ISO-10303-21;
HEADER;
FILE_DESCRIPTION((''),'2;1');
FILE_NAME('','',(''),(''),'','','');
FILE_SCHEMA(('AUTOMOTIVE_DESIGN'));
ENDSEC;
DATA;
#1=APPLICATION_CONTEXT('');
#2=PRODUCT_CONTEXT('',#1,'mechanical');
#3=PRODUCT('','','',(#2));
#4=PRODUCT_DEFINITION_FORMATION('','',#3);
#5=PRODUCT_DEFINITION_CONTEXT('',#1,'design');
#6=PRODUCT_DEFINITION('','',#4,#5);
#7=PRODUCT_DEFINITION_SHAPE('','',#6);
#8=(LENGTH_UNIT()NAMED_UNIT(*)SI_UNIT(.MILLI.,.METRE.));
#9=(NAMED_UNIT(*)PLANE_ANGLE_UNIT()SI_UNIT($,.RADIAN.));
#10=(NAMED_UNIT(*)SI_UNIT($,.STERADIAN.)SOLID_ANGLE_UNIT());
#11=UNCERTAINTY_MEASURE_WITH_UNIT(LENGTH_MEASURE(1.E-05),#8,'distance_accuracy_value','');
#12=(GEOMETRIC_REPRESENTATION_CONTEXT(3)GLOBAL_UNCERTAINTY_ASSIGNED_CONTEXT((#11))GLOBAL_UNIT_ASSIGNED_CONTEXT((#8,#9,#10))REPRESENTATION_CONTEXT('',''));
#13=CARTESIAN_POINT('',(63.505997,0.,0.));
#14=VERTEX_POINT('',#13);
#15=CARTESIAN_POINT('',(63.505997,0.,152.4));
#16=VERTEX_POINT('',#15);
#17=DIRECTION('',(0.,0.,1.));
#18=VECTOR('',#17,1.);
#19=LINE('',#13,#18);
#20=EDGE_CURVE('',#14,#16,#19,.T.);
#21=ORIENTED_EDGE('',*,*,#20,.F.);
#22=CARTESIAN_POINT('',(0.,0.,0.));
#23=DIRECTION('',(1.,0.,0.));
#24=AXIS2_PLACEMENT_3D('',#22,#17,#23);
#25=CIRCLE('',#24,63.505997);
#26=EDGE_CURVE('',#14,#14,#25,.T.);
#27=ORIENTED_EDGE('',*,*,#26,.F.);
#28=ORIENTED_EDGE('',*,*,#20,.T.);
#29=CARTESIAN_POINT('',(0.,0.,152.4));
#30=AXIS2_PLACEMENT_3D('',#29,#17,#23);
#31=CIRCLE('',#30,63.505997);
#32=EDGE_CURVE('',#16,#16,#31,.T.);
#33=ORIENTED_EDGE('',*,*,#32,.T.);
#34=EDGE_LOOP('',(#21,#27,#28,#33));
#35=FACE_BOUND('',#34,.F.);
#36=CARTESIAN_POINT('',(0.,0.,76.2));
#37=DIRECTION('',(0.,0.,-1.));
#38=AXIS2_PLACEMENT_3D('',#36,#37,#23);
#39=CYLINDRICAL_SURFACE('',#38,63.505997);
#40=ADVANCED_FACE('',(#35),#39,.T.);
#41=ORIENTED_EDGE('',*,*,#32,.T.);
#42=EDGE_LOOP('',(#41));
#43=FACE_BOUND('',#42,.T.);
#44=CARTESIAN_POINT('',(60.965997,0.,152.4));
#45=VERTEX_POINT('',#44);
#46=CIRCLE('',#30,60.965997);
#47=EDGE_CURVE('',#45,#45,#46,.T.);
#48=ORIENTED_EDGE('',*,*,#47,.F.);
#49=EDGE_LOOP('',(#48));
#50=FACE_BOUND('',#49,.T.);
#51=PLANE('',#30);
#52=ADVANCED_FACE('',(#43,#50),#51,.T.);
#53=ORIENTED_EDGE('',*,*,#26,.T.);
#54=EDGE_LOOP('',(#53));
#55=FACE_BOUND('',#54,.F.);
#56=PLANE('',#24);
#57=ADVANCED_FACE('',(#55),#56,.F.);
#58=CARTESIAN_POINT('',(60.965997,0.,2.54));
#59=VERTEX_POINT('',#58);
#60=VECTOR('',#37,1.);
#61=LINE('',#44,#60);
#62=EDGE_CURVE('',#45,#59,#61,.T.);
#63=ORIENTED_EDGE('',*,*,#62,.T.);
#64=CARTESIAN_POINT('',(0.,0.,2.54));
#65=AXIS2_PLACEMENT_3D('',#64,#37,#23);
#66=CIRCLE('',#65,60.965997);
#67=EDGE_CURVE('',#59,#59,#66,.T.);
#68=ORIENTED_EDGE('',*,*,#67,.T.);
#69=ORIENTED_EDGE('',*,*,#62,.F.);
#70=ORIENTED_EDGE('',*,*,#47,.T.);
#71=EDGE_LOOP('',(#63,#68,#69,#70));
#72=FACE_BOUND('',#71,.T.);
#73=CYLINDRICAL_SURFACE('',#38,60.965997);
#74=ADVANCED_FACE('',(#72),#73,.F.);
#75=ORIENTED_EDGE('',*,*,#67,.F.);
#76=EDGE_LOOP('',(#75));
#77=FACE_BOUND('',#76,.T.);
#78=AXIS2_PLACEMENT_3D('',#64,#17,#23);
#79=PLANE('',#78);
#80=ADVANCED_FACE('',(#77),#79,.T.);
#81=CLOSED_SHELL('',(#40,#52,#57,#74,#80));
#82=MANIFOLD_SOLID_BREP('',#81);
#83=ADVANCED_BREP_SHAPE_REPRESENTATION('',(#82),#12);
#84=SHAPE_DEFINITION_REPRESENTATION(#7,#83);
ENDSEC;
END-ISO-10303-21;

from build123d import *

# Parameters (mm, degrees)
F0_R     = 63.5059965163
F1_DEPTH = 76.2
F2_T     = -2.54
F3_DEPTH = 76.2


with BuildPart() as f1:
    # F0 (on Top) → F1 (new body)
    with BuildSketch(Plane.XY):
        Circle(F0_R)
    extrude(amount=F1_DEPTH)

    # F2
    f2_openings = [f1.faces().sort_by_distance(p)[0] for p in [
        (0, 0, 76.2),
    ]]
    offset(amount=F2_T, openings=f2_openings)

    # F3 (add): a face of the model
    f3_faces = [f1.faces().sort_by_distance(p)[0] for p in [
        (-61.709775685, 0, 76.2),
    ]]
    extrude(f3_faces, amount=F3_DEPTH)


solid = f1.part
